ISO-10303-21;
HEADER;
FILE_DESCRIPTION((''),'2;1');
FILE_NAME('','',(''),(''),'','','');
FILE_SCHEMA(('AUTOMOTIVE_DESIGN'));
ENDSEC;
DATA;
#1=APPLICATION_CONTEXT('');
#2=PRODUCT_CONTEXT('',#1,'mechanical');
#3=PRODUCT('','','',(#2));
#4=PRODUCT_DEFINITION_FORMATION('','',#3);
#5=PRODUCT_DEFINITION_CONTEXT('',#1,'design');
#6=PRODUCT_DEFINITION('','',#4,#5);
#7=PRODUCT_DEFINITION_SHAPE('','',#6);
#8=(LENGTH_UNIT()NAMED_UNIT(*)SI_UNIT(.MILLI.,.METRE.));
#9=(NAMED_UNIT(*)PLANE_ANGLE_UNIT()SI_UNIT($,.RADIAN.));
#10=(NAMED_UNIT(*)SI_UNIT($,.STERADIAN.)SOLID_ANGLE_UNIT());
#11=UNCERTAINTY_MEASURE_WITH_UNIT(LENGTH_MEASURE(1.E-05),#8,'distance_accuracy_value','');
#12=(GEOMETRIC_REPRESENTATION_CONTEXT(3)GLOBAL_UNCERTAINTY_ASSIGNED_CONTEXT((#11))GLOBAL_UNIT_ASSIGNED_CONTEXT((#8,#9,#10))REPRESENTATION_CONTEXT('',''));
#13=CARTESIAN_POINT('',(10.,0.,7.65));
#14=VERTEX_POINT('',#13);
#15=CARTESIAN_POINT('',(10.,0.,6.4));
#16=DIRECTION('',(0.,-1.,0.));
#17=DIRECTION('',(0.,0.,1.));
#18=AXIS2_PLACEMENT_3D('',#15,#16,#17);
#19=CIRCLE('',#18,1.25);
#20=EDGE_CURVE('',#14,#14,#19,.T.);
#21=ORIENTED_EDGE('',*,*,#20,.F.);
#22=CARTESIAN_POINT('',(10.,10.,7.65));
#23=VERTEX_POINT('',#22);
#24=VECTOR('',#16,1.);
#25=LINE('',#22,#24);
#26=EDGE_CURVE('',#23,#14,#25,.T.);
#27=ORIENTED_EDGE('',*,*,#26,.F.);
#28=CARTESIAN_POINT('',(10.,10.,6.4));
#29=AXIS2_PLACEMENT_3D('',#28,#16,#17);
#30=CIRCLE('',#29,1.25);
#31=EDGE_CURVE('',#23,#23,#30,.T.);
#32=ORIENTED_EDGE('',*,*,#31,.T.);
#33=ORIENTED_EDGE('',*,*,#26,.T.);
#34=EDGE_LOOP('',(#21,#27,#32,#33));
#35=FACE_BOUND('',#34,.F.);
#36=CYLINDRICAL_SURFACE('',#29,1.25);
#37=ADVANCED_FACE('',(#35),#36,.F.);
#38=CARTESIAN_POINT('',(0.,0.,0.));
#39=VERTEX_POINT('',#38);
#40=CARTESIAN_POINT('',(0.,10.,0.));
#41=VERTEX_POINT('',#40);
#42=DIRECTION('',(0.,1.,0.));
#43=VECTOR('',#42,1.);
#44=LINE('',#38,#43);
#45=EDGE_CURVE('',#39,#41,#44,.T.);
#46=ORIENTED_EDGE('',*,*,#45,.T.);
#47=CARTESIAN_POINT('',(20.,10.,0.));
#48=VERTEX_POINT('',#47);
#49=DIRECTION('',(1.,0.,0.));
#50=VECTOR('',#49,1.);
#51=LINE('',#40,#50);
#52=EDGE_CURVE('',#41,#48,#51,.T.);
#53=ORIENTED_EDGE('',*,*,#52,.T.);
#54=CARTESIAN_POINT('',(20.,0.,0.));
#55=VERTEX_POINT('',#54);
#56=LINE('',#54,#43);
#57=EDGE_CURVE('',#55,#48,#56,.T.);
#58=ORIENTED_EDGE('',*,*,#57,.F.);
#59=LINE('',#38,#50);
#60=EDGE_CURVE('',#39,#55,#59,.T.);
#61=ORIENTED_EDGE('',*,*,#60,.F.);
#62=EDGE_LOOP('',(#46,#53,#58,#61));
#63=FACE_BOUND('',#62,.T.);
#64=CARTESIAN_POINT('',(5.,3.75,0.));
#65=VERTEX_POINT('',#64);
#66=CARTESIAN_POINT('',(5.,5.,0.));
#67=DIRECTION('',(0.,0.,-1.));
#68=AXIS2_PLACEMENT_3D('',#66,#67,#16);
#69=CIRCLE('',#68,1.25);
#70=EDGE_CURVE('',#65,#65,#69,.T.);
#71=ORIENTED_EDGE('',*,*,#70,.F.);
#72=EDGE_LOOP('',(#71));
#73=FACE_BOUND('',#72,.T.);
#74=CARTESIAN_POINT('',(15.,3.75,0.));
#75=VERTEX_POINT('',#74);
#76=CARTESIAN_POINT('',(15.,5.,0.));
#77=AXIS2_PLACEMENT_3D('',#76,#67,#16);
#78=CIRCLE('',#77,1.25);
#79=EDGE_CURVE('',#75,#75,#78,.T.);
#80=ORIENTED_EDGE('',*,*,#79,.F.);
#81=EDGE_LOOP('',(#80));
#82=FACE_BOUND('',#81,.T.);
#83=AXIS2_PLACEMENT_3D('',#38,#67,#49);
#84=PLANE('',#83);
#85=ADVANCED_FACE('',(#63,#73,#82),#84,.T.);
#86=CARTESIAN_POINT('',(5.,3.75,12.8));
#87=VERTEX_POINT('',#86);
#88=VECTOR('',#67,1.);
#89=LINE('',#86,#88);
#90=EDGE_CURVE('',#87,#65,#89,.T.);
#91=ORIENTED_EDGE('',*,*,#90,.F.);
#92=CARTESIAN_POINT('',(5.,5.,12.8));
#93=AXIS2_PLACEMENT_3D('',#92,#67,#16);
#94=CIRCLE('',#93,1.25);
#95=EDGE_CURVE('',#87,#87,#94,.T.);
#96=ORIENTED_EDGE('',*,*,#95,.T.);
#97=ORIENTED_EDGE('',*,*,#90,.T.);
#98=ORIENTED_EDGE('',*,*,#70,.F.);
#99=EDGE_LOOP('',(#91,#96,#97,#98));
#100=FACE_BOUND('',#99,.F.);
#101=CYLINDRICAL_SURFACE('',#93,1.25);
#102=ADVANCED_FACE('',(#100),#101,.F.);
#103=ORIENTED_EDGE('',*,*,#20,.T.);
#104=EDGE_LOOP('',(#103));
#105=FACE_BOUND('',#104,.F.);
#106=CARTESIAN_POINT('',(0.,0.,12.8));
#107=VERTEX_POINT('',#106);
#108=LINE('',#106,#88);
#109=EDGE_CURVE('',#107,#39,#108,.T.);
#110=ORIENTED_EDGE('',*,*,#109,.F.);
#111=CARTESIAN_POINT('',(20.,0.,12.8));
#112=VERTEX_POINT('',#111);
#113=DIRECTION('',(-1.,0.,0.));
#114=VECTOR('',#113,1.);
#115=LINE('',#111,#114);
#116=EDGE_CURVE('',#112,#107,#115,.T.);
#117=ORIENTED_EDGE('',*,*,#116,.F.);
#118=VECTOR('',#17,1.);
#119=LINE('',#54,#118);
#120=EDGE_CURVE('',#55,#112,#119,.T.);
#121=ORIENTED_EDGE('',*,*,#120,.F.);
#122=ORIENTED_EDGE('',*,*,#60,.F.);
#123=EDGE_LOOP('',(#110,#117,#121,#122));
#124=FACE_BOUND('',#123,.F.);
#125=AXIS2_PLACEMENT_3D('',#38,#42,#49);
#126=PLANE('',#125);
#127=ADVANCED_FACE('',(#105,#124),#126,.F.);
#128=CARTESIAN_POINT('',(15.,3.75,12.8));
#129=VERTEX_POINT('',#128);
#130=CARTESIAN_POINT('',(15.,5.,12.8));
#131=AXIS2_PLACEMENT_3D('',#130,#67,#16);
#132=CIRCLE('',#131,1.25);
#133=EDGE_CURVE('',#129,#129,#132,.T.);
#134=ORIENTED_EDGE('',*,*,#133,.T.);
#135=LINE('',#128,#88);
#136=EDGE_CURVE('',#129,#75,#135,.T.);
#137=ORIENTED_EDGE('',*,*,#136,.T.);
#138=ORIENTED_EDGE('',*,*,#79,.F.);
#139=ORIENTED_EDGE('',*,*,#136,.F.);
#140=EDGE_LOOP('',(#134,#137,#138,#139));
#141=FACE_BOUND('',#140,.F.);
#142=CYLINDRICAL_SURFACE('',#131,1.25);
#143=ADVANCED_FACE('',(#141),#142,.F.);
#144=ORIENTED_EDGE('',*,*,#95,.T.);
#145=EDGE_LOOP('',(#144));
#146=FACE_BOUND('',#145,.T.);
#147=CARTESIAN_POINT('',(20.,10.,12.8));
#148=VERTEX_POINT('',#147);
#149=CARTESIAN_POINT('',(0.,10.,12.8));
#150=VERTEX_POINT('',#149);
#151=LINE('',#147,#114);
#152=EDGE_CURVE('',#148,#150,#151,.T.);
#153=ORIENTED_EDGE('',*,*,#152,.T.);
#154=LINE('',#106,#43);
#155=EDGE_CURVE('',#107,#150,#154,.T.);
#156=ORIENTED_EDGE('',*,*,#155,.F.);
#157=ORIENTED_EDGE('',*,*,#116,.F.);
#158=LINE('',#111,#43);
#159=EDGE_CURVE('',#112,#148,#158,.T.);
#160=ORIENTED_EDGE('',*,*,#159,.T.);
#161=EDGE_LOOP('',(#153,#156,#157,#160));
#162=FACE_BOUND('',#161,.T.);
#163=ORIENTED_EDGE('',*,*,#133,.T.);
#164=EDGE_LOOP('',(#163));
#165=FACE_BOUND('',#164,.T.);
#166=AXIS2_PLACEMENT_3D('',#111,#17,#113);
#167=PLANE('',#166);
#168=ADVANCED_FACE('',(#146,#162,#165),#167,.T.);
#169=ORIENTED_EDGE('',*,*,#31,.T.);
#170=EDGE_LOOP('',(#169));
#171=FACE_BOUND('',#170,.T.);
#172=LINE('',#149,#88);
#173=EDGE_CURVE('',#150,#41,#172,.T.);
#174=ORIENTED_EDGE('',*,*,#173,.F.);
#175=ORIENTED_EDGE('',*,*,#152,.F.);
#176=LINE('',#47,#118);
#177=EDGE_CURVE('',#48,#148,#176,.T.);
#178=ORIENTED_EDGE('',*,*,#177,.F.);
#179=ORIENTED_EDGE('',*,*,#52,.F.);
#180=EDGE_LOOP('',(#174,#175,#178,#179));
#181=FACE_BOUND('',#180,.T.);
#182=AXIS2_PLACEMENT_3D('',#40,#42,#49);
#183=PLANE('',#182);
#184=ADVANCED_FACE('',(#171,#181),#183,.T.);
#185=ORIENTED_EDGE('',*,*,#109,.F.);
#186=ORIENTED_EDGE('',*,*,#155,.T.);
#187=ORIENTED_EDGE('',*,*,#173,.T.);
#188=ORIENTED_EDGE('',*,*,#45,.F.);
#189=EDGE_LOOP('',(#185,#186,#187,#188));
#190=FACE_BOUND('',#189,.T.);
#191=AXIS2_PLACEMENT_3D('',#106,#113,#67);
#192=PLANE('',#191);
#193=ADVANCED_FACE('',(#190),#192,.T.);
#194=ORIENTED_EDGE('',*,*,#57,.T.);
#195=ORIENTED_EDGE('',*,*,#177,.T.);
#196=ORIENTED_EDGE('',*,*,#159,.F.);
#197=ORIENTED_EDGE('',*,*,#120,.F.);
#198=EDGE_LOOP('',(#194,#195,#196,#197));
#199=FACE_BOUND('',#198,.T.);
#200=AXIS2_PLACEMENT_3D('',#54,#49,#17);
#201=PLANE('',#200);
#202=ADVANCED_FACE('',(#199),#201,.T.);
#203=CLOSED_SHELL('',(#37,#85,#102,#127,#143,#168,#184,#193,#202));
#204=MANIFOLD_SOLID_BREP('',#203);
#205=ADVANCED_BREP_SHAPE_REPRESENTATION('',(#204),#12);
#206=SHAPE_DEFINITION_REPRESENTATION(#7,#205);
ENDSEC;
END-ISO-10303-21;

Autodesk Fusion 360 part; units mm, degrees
sketch "Sketch1" plane through (0, 0, 0) normal (0, 1, 0) x (1, 0, 0)
  line L0 (0, 0) -> (20, 0)
  line L1 (20, 0) -> (20, -12.8)
  line L2 (20, -12.8) -> (0, -12.8)
  line L3 (0, -12.8) -> (0, 0)
  dimension "d1" = 20
  dimension "d2" = 12.8
extrude "Extrude1" add sketch "Sketch1" along normal blind 10
sketch "Sketch2" plane through (0, 10, 0) normal (0, 1, 0) x (-1, 0, 0)
  line L0 (0, 12.8) -> (-20, 12.8)
  line L1 (-20, 12.8) -> (-20, 0)
  line L2 (-20, 0) -> (0, 0)
  line L3 (0, 0) -> (0, 12.8)
  line L4 (-10, 0) -> (-10, 12.8) construction
  line L5 (0, 6.4) -> (-20, 6.4) construction
  point P0 (-10, 6.4)
hole "Hole1" at (10, 10, 6.4) direction (0, -1, 0) diameter 2.5 end through all
sketch "Sketch3" plane through (0, 0, 12.8) normal (0, 0, 1) x (1, 0, 0)
  line L0 (0, 0) -> (20, 0)
  line L1 (20, 0) -> (20, 10)
  line L2 (20, 10) -> (0, 10)
  line L3 (0, 10) -> (0, 0)
  line L4 (0, 5) -> (20, 5) construction
  line L5 (5, 2.6) -> (5, 7.2) construction
  line L6 (15, 2.6) -> (15, 7.2) construction
  point P0 (5, 5)
  point P1 (15, 5)
  dimension "d8" = 10
  dimension "d9" = 5
  dimension "d16" = 5
hole "Hole4" at (5, 5, 12.8) direction (0, 0, -1) diameter 2.5 end through all
hole "Hole5" at (15, 5, 12.8) direction (0, 0, -1) diameter 2.5 end through all
